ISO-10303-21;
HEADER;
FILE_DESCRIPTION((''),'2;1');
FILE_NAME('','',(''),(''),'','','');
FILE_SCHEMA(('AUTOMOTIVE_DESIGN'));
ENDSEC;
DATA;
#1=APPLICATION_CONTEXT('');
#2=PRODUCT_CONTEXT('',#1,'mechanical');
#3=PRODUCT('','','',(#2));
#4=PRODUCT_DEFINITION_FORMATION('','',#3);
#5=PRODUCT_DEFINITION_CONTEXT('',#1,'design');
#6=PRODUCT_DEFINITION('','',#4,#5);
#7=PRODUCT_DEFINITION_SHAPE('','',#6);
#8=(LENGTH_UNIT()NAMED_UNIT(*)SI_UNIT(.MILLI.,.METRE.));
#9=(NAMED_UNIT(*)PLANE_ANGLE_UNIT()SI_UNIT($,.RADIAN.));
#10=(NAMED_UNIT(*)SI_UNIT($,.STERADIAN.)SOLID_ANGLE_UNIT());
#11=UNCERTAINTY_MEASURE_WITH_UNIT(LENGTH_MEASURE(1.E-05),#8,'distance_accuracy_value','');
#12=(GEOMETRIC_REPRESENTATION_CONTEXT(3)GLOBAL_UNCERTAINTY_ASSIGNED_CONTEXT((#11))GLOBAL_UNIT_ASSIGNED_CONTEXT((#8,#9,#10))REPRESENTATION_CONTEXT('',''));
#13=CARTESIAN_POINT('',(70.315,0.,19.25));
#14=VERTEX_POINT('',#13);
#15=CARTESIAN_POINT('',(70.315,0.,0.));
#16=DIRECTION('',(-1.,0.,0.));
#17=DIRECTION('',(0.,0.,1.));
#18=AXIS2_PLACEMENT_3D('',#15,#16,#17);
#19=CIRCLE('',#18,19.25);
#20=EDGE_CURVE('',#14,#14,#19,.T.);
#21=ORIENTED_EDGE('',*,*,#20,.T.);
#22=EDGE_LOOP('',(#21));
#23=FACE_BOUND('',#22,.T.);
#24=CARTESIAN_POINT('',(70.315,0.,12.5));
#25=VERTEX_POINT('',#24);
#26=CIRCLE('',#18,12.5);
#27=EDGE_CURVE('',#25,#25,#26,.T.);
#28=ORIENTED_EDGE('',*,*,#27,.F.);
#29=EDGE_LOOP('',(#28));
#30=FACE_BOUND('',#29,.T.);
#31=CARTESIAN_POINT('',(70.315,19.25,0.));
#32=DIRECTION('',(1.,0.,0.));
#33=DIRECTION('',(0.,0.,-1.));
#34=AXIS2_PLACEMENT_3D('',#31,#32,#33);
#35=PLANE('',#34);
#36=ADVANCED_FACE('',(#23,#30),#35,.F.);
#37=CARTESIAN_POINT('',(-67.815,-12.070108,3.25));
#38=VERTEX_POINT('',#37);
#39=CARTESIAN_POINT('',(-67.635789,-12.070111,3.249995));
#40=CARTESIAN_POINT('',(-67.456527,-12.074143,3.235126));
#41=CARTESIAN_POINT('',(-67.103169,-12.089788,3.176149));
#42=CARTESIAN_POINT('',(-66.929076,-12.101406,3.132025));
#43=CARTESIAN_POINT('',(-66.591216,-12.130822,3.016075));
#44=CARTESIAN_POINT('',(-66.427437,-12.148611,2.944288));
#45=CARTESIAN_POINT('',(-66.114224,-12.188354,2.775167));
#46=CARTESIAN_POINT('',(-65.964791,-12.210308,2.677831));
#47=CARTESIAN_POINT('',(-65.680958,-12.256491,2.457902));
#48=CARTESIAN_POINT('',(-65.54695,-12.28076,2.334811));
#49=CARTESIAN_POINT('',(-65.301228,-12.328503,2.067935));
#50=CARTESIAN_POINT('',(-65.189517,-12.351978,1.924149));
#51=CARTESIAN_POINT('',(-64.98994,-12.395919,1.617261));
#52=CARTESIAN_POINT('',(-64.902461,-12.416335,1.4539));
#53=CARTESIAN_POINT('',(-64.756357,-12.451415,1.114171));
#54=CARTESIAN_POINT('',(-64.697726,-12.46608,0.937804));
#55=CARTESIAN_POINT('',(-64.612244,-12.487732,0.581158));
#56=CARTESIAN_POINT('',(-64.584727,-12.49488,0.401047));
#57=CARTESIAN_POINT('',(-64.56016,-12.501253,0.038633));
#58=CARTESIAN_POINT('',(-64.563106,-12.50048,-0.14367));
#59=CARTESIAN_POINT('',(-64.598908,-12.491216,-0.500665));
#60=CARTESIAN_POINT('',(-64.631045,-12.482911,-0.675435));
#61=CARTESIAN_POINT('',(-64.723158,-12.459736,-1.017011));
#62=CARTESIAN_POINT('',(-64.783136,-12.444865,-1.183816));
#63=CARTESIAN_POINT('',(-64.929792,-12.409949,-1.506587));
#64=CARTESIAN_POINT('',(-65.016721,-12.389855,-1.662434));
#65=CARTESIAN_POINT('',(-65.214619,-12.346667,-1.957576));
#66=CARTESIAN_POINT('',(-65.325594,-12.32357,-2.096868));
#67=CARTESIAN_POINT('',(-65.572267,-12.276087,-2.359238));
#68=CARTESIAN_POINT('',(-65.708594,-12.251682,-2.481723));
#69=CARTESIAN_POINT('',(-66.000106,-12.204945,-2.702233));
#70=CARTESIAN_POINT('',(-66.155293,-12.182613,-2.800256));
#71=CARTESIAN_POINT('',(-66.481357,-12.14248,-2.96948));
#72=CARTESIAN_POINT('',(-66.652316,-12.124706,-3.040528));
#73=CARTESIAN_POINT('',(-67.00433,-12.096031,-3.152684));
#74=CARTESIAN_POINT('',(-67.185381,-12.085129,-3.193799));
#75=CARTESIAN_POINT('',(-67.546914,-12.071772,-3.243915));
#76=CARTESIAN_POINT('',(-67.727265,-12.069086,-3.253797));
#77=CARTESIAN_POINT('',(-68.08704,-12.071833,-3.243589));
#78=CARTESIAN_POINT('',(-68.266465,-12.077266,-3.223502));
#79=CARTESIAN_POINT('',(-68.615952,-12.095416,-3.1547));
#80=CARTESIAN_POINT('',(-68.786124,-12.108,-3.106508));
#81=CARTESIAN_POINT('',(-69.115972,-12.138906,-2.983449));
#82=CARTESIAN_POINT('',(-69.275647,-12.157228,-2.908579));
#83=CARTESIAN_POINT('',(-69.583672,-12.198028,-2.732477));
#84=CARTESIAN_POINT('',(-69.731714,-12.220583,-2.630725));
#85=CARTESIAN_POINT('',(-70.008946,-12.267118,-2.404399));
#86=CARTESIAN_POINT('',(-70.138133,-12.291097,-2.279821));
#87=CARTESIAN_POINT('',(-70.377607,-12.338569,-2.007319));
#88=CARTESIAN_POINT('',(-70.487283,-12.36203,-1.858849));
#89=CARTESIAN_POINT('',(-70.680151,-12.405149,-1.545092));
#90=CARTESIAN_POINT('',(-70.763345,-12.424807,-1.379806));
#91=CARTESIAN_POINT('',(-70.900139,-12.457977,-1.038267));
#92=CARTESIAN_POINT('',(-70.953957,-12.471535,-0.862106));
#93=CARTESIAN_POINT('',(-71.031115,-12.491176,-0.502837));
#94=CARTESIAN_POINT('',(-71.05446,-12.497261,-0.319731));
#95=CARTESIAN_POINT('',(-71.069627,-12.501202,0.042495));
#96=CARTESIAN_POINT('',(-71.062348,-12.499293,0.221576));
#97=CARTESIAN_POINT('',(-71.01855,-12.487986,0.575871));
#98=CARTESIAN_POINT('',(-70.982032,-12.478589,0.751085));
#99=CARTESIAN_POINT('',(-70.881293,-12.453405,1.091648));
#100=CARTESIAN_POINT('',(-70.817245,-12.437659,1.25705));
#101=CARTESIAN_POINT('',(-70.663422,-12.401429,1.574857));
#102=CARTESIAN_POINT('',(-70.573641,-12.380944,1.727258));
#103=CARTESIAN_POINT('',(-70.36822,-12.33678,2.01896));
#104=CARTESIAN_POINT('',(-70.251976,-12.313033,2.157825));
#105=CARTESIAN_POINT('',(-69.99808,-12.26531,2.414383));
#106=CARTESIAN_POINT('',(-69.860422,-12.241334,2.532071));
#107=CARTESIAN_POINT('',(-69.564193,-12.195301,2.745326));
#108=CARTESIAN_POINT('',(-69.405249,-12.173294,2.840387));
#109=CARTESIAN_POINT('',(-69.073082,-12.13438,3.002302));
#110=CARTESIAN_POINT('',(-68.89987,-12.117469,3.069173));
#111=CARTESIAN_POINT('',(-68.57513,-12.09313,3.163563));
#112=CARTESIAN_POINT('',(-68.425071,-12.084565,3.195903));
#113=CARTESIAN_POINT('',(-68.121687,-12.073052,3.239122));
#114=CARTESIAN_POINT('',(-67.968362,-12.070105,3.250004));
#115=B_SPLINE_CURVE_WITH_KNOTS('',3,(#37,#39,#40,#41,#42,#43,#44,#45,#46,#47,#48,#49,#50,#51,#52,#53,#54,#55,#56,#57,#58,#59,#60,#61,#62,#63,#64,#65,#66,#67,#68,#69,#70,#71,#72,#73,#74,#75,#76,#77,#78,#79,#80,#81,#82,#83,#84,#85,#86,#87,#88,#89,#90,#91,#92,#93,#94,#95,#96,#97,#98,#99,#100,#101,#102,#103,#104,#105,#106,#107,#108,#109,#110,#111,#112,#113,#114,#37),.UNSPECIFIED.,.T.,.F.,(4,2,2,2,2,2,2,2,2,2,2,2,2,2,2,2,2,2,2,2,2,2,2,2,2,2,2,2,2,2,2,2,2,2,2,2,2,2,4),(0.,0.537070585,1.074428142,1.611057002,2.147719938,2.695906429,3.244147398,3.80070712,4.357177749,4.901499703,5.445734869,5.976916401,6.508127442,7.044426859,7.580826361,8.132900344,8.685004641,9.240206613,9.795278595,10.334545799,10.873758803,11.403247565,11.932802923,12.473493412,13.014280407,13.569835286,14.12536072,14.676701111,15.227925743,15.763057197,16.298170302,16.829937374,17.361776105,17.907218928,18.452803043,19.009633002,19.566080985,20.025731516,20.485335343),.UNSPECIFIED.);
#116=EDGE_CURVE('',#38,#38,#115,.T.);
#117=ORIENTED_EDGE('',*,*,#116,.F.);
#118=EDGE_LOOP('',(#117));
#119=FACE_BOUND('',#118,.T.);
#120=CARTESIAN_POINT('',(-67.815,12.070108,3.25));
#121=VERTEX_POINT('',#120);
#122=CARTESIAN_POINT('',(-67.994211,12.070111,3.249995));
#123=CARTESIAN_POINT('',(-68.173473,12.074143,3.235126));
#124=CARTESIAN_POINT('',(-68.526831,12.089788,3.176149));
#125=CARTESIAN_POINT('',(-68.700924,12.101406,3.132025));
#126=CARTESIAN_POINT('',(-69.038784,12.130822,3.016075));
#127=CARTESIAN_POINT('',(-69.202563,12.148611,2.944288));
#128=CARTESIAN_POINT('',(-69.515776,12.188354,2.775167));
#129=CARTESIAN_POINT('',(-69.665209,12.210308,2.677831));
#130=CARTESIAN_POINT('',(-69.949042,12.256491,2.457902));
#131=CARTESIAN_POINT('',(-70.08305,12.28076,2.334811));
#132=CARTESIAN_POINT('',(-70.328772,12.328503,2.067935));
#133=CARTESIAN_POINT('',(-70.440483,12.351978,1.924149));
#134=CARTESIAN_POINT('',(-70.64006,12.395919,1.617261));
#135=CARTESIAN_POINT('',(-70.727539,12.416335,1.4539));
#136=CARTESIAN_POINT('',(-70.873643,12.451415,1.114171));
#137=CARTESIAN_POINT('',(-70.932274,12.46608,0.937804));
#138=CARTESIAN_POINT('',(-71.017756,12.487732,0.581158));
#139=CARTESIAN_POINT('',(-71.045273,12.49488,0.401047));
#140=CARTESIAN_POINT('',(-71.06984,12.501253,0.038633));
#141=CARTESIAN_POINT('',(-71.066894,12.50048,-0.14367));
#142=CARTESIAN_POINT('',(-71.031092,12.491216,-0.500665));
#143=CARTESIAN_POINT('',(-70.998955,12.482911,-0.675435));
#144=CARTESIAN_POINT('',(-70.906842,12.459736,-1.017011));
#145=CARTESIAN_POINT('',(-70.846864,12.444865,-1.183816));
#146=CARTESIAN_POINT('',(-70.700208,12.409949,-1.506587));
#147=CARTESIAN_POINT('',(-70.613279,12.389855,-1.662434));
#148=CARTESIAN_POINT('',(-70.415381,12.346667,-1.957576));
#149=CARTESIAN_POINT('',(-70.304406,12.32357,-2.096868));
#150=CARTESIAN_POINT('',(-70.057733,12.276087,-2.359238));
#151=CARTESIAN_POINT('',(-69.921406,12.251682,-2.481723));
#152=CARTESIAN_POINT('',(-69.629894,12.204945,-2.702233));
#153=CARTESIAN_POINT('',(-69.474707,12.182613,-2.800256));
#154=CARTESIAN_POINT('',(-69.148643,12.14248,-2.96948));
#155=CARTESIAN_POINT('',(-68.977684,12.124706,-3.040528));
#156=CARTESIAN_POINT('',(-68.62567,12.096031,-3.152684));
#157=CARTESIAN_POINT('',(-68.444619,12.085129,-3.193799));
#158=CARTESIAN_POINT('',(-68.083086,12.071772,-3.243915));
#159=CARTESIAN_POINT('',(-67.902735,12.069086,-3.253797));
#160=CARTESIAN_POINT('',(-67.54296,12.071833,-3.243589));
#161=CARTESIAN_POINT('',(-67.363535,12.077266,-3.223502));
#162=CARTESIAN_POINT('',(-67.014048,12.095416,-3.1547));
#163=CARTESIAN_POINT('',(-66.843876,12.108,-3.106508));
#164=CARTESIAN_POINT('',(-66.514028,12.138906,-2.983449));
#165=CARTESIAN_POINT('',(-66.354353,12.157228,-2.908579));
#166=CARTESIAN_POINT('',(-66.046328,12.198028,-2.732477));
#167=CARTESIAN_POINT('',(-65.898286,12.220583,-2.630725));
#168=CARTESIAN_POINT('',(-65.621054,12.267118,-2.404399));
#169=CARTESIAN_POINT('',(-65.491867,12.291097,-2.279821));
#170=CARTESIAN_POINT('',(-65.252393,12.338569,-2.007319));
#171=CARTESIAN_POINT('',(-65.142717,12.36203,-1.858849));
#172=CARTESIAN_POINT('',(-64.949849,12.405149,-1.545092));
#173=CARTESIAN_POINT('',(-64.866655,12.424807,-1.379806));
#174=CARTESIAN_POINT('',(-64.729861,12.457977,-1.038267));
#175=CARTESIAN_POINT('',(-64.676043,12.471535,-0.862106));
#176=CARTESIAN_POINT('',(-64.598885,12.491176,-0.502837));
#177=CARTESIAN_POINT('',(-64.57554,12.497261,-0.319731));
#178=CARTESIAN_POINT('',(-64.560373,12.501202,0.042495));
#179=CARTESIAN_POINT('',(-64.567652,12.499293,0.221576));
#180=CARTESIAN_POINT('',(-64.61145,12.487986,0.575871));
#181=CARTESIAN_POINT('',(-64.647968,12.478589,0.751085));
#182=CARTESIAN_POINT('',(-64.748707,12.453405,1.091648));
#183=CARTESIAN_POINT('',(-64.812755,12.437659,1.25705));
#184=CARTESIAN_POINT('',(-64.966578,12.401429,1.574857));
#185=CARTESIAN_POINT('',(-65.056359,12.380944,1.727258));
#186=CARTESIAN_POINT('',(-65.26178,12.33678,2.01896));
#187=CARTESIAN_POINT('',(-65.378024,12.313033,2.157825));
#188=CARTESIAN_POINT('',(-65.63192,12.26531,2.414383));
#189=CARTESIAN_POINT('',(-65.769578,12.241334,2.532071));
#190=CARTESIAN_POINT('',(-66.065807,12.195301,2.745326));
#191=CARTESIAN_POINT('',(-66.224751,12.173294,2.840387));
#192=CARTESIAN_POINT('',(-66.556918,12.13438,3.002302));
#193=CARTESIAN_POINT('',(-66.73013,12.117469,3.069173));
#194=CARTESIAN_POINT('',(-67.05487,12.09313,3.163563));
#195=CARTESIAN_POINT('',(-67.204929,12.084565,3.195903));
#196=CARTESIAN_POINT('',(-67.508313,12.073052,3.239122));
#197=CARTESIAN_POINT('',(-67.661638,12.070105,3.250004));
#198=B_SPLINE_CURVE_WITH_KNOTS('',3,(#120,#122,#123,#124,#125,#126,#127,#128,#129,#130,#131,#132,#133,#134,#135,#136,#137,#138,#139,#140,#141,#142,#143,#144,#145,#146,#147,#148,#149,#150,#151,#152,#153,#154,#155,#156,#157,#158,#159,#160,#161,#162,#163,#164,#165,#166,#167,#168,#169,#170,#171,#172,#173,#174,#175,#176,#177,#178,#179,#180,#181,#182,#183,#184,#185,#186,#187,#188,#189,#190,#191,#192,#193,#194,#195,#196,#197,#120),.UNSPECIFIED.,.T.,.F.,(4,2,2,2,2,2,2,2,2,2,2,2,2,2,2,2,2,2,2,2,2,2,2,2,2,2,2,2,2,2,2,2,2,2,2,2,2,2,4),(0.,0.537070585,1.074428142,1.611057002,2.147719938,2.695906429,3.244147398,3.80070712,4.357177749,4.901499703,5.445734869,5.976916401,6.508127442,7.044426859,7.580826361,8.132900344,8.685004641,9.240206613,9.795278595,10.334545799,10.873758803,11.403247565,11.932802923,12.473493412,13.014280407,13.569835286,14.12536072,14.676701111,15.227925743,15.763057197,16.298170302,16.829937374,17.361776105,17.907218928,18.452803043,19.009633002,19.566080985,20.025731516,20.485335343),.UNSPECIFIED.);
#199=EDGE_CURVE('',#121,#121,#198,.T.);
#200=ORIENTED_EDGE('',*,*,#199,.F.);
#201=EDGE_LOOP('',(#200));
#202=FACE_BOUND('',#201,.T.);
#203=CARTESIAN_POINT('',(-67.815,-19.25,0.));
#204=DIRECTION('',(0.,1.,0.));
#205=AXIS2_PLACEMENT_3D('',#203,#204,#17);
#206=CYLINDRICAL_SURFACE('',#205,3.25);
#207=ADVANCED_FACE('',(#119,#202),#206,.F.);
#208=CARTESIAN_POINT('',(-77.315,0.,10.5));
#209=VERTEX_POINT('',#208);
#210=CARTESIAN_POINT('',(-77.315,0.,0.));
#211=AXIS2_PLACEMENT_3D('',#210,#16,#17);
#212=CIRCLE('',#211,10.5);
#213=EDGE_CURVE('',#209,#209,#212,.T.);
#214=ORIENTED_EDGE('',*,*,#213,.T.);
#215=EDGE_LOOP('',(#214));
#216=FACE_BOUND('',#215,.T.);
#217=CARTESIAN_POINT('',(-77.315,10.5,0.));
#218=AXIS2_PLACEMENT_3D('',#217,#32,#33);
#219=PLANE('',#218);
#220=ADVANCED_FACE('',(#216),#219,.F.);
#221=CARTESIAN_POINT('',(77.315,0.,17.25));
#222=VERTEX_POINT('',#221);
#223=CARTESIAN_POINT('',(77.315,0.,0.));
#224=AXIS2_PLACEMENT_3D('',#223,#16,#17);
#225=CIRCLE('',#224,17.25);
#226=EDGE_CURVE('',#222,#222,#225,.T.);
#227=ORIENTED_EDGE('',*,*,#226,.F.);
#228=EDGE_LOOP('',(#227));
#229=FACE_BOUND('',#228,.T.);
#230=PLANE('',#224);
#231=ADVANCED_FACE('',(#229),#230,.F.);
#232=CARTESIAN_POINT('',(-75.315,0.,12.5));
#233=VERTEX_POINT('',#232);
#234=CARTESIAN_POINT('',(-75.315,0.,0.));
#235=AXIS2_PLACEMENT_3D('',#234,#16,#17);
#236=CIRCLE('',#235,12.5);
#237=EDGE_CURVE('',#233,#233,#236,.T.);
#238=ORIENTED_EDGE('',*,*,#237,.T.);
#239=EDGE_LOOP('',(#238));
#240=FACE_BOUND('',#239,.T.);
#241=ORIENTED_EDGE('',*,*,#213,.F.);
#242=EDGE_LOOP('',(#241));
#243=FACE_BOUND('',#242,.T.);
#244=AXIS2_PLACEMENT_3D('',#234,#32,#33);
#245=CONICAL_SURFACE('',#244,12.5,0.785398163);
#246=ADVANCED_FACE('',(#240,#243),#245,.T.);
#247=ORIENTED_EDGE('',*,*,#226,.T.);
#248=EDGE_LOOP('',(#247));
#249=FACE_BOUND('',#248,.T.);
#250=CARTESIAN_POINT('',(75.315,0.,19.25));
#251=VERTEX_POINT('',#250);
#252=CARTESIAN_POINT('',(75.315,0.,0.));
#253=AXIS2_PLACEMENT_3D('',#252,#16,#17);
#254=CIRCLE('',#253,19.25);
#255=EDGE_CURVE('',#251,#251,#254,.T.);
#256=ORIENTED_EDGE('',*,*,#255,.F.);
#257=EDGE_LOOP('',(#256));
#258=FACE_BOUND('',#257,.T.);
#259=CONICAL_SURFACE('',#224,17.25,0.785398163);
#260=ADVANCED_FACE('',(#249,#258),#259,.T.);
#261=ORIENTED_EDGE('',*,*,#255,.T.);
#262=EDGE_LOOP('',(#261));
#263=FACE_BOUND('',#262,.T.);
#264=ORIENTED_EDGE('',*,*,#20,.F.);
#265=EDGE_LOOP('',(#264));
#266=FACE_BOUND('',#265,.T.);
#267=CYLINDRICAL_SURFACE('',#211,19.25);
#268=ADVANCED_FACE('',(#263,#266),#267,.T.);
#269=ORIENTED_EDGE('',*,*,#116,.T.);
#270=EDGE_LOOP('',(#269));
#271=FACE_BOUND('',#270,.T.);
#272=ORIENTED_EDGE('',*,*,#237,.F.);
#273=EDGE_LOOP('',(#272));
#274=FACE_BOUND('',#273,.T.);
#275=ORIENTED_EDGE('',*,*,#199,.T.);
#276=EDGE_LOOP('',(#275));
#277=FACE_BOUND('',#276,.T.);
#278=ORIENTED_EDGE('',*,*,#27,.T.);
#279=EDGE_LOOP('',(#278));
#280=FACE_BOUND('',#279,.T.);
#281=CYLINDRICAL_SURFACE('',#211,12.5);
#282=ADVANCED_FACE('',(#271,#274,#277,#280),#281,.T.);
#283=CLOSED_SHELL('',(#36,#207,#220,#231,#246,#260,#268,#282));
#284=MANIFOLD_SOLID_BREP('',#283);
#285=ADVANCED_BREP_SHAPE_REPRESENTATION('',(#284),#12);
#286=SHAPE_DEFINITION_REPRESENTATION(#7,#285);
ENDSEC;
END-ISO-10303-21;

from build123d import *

# Parameters (mm, degrees)
CORTE_EXTRUS_O1_DEPTH      = 82.967885327
CORTE_EXTRUS_O1_DEPTH_BACK = 82.967885327
ESBO_O2_R                  = 3.25


with BuildPart() as part:
    # Esboço1 → Revolução1 (revolve)
    with BuildSketch(Plane.XY, mode=Mode.PRIVATE) as revolu_o1_sk:
        Polygon((77.315, 0), (77.315, 17.25), (75.315, 19.25), (70.315, 19.25), (70.315, 12.5), (-75.315, 12.5), (-77.315, 10.5), (-77.315, 0), align=None)
    revolve(revolu_o1_sk.sketch.rotate(Axis((-77.315, 0, 0), (1, 0, 0)), 90), axis=Axis((-77.315, 0, 0), (1, 0, 0)))

    # Esboço2 → Corte-extrusão1 (cut, two sides: drawn at the far end of the back side and taken through both)
    with BuildSketch(Plane(origin=(0, 0, 0), x_dir=(1, 0, 0), z_dir=(0, 1, 0)).offset(-CORTE_EXTRUS_O1_DEPTH_BACK)):
        with Locations(Location((-67.815, 0, 0), (0, 0, 270))):
            Circle(ESBO_O2_R)
    extrude(amount=CORTE_EXTRUS_O1_DEPTH + CORTE_EXTRUS_O1_DEPTH_BACK, mode=Mode.SUBTRACT)


solid = part.part
